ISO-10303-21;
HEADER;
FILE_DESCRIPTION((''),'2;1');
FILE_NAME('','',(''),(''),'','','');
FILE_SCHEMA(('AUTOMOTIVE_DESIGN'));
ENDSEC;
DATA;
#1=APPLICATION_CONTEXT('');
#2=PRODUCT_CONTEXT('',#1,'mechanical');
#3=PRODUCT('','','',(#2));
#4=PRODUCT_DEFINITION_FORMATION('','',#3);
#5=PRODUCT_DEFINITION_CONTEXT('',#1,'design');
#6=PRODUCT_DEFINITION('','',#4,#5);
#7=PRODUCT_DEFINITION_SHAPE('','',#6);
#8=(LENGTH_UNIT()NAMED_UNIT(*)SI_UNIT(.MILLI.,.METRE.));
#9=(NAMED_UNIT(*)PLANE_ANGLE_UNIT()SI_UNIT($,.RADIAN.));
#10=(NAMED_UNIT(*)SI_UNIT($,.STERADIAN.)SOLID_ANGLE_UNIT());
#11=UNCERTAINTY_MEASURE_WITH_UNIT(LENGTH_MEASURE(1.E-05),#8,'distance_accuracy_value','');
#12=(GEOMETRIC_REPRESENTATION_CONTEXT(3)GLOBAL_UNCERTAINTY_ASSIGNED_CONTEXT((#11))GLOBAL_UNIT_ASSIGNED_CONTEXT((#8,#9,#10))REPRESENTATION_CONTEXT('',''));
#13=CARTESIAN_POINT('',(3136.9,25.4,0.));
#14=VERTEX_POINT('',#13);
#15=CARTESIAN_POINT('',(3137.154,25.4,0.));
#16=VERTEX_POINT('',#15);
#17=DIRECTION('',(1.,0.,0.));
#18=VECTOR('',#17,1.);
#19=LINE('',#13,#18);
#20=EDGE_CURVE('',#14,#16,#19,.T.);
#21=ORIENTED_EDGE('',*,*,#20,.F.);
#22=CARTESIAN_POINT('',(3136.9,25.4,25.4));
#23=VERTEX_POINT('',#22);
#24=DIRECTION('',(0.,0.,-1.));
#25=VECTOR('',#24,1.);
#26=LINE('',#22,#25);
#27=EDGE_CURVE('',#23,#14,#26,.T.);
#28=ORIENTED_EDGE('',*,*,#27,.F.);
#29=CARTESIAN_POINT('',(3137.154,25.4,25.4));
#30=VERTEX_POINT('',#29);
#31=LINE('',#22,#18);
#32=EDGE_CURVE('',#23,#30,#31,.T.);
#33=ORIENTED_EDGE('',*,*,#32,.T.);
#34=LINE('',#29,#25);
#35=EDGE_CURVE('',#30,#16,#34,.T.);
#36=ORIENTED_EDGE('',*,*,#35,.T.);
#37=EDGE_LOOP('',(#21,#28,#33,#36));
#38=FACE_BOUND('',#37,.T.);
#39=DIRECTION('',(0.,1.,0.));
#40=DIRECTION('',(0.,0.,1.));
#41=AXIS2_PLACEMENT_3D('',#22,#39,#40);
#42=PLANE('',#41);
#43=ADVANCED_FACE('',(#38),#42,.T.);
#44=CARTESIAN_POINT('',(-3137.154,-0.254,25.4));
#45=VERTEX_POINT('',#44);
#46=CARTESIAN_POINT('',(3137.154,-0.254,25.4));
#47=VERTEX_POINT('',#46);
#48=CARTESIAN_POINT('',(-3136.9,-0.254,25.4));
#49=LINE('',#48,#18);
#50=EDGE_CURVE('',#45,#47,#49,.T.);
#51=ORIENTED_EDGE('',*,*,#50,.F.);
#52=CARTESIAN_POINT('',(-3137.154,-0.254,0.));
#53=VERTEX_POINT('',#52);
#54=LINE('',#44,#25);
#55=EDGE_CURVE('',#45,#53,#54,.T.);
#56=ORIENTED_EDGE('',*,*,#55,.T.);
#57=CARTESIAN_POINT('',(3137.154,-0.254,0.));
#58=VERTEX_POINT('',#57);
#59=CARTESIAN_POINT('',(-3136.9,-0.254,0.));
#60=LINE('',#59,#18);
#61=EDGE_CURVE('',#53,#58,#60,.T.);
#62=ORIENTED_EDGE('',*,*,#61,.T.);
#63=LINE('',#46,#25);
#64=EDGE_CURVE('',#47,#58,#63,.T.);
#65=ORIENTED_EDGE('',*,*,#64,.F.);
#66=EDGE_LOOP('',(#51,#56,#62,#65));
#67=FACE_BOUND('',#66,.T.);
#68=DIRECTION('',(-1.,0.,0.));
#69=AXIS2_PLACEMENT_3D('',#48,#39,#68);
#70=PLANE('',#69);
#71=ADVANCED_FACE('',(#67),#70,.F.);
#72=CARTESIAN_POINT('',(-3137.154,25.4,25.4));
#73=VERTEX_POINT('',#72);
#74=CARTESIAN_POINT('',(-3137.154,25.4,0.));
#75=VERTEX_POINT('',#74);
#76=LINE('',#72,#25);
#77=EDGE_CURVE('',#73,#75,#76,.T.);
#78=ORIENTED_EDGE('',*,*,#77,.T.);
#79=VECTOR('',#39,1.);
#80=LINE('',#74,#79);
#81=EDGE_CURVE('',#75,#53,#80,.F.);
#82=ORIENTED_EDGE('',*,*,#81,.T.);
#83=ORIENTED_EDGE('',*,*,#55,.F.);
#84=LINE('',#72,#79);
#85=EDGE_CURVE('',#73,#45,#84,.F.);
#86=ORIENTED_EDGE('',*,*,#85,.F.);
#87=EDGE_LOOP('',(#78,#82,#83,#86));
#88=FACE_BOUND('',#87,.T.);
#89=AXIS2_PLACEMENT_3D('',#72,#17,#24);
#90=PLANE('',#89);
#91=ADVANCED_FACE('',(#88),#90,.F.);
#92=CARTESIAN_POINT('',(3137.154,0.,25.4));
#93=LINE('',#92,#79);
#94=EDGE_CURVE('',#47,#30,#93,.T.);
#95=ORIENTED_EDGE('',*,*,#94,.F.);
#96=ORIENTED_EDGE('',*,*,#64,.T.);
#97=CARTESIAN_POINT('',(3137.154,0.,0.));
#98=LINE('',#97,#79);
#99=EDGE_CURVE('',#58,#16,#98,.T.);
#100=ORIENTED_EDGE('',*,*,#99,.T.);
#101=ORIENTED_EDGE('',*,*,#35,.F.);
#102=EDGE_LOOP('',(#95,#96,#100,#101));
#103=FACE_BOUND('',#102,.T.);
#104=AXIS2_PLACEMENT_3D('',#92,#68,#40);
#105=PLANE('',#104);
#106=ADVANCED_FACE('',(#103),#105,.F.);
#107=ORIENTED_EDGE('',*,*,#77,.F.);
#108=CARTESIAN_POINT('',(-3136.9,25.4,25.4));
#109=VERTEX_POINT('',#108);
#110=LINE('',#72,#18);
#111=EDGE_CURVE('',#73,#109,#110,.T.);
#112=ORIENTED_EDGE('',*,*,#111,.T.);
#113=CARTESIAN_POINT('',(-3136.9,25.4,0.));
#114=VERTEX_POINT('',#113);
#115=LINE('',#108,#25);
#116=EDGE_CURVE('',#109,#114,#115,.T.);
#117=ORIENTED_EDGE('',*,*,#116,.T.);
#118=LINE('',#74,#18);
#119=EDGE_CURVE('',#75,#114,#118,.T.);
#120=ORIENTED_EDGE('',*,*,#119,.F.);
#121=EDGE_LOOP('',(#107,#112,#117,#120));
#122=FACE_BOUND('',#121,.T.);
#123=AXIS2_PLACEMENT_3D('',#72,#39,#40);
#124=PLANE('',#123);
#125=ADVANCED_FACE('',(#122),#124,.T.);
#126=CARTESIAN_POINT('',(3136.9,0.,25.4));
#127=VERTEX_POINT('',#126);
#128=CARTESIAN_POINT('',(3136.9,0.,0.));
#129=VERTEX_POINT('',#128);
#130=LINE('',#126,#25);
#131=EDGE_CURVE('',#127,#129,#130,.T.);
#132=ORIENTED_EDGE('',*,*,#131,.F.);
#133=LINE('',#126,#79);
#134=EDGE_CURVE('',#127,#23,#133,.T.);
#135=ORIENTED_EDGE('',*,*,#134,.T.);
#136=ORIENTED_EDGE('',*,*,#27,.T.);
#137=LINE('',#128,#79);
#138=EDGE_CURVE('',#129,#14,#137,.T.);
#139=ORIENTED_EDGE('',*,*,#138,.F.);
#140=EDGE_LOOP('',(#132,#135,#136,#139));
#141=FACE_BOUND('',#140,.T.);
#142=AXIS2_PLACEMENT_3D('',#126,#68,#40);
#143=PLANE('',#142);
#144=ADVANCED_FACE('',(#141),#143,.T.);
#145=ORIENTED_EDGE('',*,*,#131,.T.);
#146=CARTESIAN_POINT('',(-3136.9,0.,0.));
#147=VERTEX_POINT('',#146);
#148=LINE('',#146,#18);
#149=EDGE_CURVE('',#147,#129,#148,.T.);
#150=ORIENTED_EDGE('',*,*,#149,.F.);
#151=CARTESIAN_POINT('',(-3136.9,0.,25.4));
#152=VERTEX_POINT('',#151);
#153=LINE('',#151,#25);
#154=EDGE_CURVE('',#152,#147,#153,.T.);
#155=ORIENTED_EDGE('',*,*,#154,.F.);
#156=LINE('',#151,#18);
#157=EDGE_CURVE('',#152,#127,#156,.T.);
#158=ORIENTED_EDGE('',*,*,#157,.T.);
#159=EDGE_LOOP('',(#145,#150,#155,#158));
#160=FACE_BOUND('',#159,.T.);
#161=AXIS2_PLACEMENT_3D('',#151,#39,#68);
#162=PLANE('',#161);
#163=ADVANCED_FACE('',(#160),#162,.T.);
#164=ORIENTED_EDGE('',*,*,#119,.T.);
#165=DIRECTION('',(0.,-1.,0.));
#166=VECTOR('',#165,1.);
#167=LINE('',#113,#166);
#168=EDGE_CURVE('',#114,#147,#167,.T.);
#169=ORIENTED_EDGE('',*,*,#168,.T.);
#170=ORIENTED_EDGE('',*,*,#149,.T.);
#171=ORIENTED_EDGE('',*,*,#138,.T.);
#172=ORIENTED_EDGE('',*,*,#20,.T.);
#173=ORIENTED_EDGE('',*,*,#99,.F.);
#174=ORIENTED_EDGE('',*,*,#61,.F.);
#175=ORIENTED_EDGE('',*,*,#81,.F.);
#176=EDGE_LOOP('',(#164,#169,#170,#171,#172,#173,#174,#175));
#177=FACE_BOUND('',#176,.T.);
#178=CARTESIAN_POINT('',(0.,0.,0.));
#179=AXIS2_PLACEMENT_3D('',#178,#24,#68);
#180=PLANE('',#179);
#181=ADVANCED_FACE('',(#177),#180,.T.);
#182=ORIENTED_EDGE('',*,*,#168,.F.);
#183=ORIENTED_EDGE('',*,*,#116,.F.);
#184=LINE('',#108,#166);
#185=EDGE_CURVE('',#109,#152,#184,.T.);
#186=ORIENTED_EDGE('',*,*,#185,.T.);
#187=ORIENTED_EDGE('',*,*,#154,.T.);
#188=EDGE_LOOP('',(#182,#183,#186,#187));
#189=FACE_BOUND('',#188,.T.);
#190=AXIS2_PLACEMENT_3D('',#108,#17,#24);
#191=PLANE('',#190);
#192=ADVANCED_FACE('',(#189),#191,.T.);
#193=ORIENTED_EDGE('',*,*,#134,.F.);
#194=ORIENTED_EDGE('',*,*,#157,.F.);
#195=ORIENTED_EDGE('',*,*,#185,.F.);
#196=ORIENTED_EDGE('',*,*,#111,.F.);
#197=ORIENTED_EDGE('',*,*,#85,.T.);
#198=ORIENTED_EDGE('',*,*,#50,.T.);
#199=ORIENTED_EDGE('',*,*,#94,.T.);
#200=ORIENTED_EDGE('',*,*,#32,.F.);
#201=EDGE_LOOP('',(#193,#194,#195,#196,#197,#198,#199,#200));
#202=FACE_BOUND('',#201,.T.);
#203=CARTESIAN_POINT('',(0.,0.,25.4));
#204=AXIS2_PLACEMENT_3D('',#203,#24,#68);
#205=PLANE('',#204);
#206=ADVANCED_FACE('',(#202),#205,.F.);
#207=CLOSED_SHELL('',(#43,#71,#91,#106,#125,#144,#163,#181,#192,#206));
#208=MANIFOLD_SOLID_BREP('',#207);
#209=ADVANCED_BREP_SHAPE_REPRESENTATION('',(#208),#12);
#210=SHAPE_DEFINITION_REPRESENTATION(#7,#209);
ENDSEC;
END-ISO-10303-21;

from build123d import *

# Parameters (mm, degrees)
EXTRUDE_THIN1_DEPTH = 25.4


with BuildPart() as part:
    # Sketch1 → Extrude-Thin1 (new body)
    with BuildSketch(Plane.XY):
        Polygon((-3136.9, 25.4), (-3136.9, 0), (3136.9, 0), (3136.9, 25.4), (3137.154, 25.4), (3137.154, -0.254), (-3137.154, -0.254), (-3137.154, 25.4), align=None)
    extrude(amount=EXTRUDE_THIN1_DEPTH)


solid = part.part
